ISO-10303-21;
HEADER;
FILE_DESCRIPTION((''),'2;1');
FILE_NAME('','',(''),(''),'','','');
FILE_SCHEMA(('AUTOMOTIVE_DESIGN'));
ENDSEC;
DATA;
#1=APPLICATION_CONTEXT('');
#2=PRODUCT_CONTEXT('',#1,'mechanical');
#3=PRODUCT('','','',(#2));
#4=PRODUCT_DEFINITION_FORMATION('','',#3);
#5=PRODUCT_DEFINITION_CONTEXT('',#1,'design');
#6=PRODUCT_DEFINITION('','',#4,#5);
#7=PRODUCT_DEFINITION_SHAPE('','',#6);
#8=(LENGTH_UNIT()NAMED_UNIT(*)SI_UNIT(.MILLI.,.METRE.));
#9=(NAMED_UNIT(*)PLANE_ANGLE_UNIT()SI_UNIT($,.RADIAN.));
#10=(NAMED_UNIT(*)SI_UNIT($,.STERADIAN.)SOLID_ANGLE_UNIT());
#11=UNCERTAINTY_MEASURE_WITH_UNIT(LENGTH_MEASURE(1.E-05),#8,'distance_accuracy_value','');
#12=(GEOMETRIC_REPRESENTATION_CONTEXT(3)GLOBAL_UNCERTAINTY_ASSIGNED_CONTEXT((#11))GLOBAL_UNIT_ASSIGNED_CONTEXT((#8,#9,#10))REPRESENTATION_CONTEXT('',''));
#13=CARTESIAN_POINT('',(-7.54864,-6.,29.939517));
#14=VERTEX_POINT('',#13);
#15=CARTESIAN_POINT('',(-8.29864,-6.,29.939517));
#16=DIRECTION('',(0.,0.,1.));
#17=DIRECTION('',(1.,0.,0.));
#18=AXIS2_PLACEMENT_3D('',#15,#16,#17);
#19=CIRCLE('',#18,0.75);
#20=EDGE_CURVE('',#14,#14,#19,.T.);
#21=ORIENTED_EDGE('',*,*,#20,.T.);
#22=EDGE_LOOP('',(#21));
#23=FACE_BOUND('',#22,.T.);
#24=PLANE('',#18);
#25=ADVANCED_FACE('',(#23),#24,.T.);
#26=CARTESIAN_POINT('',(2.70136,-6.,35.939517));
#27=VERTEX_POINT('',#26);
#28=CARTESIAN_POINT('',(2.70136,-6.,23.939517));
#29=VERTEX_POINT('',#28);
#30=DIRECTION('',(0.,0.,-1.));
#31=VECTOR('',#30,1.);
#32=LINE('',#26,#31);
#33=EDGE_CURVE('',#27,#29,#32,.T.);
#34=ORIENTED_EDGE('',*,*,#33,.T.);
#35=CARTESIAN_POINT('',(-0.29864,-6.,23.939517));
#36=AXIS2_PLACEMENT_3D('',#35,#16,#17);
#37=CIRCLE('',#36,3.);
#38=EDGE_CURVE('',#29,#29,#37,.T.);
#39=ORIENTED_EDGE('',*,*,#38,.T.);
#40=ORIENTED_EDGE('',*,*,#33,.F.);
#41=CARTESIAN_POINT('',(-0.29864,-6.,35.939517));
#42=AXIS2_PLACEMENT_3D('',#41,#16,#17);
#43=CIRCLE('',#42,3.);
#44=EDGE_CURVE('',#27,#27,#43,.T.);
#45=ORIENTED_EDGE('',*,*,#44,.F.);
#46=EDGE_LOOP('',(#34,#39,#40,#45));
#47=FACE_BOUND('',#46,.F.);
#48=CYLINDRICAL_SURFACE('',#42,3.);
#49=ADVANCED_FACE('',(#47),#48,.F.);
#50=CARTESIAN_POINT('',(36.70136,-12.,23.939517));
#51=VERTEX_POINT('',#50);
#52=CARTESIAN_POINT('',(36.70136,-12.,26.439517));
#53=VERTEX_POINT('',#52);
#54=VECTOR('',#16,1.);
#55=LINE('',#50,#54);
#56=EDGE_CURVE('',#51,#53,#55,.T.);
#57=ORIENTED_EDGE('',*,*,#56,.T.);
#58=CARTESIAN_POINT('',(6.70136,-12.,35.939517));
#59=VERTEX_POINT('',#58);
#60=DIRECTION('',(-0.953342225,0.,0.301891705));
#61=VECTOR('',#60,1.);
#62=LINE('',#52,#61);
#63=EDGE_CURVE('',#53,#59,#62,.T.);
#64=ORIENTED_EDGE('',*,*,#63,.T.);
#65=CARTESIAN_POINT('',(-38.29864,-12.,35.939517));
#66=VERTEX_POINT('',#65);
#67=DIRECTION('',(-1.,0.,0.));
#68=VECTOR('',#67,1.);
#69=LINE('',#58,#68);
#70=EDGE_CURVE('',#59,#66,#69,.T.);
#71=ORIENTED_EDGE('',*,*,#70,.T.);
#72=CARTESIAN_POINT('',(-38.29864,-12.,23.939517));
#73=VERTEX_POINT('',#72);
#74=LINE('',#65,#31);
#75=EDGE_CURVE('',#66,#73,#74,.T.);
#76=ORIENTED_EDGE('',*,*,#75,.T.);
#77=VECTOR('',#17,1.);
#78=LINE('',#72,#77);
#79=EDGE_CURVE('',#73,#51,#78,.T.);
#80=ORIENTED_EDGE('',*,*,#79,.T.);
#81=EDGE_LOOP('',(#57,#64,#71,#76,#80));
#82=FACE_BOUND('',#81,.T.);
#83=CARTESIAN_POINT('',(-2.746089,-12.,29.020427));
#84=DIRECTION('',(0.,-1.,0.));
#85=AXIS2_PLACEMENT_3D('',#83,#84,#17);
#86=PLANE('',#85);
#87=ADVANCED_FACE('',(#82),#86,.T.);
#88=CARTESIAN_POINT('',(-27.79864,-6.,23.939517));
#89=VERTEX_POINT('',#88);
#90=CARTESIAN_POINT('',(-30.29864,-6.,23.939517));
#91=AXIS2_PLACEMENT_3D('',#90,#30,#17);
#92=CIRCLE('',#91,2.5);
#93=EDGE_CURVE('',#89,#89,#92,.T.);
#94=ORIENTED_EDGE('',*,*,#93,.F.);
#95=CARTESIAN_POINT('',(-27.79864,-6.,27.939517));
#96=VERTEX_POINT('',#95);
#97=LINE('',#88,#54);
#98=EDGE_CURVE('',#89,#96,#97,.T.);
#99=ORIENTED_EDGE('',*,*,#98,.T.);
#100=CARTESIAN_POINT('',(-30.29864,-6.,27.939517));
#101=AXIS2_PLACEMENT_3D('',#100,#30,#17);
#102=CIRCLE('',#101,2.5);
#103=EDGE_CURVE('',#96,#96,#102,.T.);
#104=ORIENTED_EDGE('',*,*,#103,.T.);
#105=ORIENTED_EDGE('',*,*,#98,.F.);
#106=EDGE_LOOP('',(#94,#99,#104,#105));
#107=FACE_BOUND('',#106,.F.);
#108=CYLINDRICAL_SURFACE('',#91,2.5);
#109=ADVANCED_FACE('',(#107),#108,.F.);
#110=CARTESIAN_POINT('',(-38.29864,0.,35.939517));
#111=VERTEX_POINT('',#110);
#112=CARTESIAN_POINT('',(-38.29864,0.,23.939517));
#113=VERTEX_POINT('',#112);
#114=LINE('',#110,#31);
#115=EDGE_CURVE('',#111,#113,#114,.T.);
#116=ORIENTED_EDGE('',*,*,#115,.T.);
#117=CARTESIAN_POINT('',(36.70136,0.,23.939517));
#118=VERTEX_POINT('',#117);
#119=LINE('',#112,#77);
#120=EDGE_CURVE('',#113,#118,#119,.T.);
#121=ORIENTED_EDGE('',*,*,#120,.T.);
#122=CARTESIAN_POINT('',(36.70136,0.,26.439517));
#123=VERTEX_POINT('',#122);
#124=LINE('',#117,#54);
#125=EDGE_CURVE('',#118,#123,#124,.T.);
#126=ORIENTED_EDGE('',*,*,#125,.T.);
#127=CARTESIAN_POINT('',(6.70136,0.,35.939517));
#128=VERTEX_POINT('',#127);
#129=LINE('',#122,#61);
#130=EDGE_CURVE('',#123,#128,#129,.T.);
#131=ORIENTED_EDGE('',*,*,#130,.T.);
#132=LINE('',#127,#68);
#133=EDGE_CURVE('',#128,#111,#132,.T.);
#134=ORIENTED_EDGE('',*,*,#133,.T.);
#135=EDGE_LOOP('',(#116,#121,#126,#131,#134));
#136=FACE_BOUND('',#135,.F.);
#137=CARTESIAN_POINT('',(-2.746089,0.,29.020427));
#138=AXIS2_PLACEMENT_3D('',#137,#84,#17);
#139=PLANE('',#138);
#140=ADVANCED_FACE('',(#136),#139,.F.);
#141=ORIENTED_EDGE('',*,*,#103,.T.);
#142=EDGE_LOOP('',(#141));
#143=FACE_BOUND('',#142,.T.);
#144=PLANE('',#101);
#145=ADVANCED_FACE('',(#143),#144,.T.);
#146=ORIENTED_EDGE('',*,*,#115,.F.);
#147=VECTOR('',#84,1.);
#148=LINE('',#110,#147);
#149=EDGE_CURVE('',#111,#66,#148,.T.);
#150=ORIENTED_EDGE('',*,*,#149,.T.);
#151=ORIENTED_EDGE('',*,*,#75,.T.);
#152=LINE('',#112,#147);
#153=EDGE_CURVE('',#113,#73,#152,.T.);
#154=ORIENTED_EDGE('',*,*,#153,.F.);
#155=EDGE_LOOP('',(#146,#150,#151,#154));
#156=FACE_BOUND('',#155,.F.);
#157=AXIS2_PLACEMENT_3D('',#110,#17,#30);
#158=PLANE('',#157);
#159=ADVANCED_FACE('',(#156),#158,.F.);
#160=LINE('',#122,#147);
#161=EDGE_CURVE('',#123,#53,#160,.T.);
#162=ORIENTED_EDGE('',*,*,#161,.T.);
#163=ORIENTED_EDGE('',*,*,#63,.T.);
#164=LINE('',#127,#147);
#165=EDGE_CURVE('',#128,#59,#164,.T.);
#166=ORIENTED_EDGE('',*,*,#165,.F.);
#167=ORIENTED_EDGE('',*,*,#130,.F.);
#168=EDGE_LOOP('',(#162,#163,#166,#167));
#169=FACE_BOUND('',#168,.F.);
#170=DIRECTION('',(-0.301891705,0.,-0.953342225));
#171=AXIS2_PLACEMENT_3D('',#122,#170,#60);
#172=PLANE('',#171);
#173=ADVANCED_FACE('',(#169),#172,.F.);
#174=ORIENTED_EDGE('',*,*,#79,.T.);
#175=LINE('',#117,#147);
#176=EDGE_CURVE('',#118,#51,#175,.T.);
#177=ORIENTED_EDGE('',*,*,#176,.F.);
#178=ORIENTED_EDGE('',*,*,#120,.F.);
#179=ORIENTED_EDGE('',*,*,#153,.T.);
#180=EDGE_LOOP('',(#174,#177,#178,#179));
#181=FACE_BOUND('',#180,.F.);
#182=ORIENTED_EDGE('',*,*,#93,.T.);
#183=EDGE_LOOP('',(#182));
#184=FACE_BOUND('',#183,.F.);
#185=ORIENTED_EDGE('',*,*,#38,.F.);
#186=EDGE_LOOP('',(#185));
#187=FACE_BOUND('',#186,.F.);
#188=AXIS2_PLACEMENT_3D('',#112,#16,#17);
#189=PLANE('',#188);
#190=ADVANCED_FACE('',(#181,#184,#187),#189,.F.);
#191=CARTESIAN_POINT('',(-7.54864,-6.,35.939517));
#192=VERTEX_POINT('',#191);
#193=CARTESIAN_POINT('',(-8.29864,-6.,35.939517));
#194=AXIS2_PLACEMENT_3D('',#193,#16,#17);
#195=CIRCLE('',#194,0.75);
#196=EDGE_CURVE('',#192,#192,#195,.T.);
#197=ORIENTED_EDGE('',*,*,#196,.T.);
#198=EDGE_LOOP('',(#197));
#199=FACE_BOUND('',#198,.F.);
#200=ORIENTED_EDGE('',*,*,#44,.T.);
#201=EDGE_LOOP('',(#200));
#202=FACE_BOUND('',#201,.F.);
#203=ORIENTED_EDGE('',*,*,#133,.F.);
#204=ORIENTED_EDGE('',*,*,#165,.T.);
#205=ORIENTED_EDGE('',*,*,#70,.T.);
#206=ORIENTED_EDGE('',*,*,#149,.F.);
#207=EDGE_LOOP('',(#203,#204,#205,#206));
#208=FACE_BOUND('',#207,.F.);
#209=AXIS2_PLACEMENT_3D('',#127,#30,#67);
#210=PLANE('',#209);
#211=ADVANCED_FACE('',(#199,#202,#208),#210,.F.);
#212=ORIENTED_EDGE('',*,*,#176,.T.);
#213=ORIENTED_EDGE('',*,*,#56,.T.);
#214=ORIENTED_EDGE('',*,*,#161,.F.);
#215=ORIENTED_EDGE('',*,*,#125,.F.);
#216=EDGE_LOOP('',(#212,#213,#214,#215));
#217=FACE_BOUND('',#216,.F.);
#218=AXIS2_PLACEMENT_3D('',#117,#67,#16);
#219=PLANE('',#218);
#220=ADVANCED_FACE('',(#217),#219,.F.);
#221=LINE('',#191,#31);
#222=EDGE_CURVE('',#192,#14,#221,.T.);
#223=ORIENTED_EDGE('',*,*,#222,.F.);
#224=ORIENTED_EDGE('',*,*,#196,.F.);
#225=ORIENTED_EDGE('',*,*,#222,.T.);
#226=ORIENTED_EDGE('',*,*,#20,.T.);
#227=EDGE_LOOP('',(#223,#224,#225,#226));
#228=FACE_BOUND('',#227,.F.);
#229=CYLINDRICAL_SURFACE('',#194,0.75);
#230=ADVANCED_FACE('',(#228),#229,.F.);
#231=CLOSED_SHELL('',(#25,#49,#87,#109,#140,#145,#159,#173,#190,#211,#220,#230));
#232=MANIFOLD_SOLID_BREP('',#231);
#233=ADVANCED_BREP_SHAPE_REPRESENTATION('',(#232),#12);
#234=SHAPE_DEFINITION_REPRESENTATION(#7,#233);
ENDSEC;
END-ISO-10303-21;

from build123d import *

# Parameters (mm, degrees)
F1_DEPTH = 12
F2_R     = 3
F3_DEPTH = 25
F4_R     = 0.75
F5_DEPTH = 6
F6_R     = 2.5
F7_DEPTH = 4


with BuildPart() as f1:
    # F0 (on Front) → F1 (new body)
    with BuildSketch(Plane.XZ):
        Polygon((6.70136, 35.939517), (-38.29864, 35.939517), (-38.29864, 23.939517), (36.70136, 23.939517), (36.70136, 26.439517), align=None)
    extrude(amount=F1_DEPTH)

    # F2 (on face) → F3 (cut)
    with BuildSketch(Plane.XY.offset(35.939517)):
        with Locations((-0.29864, -6)):
            Circle(F2_R)
    extrude(amount=-F3_DEPTH, mode=Mode.SUBTRACT)

    # F4 (on face) → F5 (cut)
    with BuildSketch(Plane.XY.offset(35.939517)):
        with Locations((-8.29864, -6)):
            Circle(F4_R)
    extrude(amount=-F5_DEPTH, mode=Mode.SUBTRACT)

    # F6 (on face) → F7 (cut)
    with BuildSketch(Plane(origin=(0, 0, 23.939517), x_dir=(1, 0, 0), z_dir=(0, 0, -1))):
        with Locations((-30.29864, 6)):
            Circle(F6_R)
    extrude(amount=-F7_DEPTH, mode=Mode.SUBTRACT)


solid = f1.part
